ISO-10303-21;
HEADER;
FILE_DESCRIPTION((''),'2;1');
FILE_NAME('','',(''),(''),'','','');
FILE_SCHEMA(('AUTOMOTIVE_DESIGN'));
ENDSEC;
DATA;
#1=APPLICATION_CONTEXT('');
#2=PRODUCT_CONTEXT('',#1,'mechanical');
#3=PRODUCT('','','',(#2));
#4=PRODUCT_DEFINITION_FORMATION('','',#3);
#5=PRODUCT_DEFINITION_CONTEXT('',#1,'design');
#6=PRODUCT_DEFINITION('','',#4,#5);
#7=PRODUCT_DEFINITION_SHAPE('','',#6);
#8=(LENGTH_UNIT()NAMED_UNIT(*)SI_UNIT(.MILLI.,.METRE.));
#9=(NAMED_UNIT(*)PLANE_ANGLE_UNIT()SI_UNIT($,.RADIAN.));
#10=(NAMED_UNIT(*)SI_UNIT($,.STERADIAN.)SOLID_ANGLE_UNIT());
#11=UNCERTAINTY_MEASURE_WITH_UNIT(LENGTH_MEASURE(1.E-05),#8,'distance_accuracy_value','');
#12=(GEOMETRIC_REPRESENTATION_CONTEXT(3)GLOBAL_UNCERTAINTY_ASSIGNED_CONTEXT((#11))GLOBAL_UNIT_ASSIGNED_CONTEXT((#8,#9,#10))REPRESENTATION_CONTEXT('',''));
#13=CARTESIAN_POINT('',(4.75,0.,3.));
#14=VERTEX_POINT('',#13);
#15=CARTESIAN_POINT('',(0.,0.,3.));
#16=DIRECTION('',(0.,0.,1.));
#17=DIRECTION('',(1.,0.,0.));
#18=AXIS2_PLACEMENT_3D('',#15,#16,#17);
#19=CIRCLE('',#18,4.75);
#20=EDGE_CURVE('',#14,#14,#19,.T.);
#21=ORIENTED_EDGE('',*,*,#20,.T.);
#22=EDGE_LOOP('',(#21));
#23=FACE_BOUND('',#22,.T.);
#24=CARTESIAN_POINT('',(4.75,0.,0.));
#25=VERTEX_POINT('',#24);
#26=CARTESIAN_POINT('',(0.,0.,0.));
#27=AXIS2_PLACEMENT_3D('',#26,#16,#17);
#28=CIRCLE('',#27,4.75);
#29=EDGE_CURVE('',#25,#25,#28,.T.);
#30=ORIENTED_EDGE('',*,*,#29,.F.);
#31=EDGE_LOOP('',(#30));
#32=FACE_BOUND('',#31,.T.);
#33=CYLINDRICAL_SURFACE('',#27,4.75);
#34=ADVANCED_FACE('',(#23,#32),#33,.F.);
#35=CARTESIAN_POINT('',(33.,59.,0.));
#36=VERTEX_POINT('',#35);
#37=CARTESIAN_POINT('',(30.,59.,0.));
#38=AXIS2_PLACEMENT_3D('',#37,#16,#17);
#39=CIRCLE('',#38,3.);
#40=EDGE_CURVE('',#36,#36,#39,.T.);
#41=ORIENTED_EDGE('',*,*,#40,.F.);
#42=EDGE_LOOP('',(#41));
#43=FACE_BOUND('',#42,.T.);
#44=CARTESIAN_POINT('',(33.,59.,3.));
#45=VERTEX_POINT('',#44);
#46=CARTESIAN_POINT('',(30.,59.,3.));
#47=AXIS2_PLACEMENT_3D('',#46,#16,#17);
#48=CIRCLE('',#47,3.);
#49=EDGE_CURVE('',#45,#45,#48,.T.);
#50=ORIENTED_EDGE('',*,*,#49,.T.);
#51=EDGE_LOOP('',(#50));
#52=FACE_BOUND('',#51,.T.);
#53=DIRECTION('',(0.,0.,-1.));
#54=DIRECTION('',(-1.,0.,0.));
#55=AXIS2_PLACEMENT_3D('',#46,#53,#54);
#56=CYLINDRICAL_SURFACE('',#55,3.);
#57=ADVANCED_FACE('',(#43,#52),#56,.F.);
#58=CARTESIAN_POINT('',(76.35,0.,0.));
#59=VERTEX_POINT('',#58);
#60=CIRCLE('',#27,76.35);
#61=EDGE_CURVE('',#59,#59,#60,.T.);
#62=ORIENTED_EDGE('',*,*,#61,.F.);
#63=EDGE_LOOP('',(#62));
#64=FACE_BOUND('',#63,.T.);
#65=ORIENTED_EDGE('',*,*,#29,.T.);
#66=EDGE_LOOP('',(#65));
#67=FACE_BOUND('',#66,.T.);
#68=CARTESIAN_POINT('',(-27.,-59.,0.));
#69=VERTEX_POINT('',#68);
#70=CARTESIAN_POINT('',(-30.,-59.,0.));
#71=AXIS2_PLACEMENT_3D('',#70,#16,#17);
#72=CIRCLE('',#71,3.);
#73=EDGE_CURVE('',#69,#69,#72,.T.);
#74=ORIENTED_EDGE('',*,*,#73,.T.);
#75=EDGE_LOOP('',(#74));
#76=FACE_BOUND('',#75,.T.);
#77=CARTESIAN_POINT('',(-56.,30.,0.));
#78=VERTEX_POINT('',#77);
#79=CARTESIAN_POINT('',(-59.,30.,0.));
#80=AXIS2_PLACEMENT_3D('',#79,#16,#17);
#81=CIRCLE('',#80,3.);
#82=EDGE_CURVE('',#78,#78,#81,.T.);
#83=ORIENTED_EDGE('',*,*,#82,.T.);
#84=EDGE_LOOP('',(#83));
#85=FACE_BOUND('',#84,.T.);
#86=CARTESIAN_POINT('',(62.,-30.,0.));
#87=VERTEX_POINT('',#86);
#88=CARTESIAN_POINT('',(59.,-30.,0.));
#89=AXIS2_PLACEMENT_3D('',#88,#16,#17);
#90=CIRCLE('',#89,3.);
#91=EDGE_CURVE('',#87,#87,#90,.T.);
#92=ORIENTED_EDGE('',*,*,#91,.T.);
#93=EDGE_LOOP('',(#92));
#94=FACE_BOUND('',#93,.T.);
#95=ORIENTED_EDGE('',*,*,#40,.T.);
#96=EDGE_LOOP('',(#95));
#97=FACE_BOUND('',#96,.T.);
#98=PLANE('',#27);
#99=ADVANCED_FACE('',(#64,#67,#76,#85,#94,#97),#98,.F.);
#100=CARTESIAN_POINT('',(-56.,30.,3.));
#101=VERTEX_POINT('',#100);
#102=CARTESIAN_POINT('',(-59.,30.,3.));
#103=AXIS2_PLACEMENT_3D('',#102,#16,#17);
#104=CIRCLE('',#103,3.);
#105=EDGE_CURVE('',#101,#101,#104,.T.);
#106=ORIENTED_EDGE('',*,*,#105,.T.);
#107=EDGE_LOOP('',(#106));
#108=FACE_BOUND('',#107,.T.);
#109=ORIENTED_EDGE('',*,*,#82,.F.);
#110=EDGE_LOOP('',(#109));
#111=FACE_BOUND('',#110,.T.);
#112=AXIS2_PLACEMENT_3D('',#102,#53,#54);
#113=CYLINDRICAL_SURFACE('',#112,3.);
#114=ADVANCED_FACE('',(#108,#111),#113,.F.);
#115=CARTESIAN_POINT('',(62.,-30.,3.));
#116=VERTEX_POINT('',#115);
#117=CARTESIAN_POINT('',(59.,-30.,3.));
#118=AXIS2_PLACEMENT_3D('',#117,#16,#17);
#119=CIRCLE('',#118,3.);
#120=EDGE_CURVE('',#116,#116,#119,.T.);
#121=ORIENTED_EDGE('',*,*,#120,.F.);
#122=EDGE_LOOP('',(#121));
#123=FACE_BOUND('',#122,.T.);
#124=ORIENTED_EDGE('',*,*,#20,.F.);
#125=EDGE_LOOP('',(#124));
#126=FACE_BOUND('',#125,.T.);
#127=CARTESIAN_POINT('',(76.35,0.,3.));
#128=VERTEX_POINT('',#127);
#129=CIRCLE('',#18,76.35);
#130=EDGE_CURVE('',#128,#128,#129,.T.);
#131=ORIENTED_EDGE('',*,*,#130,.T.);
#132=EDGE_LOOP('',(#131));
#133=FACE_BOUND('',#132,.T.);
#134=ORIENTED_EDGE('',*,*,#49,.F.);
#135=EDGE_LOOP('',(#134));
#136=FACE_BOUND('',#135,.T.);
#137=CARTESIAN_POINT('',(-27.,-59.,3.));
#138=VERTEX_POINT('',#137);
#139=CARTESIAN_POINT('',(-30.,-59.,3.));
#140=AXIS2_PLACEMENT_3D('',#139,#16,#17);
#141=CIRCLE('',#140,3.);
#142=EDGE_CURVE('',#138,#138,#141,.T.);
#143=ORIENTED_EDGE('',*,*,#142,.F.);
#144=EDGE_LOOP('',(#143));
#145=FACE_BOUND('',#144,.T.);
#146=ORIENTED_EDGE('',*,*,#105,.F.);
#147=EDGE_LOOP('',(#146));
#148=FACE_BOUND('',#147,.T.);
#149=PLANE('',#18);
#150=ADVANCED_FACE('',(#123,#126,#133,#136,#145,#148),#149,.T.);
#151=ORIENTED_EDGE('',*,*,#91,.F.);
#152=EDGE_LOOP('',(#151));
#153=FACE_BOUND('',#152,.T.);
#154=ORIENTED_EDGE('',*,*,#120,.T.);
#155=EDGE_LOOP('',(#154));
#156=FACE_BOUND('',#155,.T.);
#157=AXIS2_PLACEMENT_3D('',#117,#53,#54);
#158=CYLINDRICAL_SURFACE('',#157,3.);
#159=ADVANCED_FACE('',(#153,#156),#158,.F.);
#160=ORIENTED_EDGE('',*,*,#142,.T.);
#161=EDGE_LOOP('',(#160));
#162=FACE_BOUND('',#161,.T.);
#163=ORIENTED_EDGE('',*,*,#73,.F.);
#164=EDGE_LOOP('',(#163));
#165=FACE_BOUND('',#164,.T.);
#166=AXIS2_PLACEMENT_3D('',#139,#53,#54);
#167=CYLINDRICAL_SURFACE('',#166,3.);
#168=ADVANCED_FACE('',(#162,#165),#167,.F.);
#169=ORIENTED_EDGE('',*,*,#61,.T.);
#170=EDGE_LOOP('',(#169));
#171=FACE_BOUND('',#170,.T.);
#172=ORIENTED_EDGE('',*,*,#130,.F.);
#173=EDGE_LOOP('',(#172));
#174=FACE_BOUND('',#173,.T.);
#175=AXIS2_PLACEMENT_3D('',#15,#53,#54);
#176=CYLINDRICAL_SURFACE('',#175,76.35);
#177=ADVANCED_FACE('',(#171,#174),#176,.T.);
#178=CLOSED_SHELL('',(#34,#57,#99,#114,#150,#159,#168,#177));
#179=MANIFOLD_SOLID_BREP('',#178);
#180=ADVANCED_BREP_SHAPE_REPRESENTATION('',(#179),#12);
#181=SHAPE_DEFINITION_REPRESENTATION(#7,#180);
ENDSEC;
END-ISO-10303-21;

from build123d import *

# Parameters (mm, degrees)
SKETCH1_R           = 3
BOSS_EXTRUDE3_DEPTH = 3
SKETCH2_R           = 4.75
CUT_EXTRUDE1_DEPTH  = 109.016873682


with BuildPart() as part:
    # Sketch1 → Boss-Extrude3 (new body)
    # profile 1 of 5: a face of its own
    with BuildSketch(Plane.XY):
        with BuildLine():
            ThreePointArc((76.35, 0), (53.987602744, 53.987602744), (0, 76.35))
            ThreePointArc((0, 76.35), (-62.014972319, 44.536116897), (-72.348554199, -24.392810524))
            ThreePointArc((-72.348554199, -24.392810524), (-44.536116897, -62.014972319), (0, -76.35))
            ThreePointArc((0, -76.35), (53.987602744, -53.987602744), (76.35, 0))
        make_face()
        Polygon((-27.25, -54.236860279), (-24.5, -59), (-27.25, -63.763139721), (-32.75, -63.763139721), (-35.5, -59), (-32.75, -54.236860279), align=None, mode=Mode.SUBTRACT)
        Polygon((54.236860279, -27.25), (59, -24.5), (63.763139721, -27.25), (63.763139721, -32.75), (59, -35.5), (54.236860279, -32.75), align=None, mode=Mode.SUBTRACT)
        Polygon((-54.236860279, 27.25), (-59, 24.5), (-63.763139721, 27.25), (-63.763139721, 32.75), (-59, 35.5), (-54.236860279, 32.75), align=None, mode=Mode.SUBTRACT)
        Polygon((27.25, 54.236860279), (24.5, 59), (27.25, 63.763139721), (32.75, 63.763139721), (35.5, 59), (32.75, 54.236860279), align=None, mode=Mode.SUBTRACT)
    # profile 2 of 5: a face of its own
    with BuildSketch(Plane.XY):
        Polygon((-63.763139721, 32.75), (-63.763139721, 27.25), (-59, 24.5), (-54.236860279, 27.25), (-54.236860279, 32.75), (-59, 35.5), align=None)
        with Locations((-59, 30)):
            Circle(SKETCH1_R, mode=Mode.SUBTRACT)
    # profile 3 of 5: a face of its own
    with BuildSketch(Plane.XY):
        Polygon((32.75, 63.763139721), (27.25, 63.763139721), (24.5, 59), (27.25, 54.236860279), (32.75, 54.236860279), (35.5, 59), align=None)
        with Locations((30, 59)):
            Circle(SKETCH1_R, mode=Mode.SUBTRACT)
    # profile 4 of 5: a face of its own
    with BuildSketch(Plane.XY):
        Polygon((63.763139721, -32.75), (63.763139721, -27.25), (59, -24.5), (54.236860279, -27.25), (54.236860279, -32.75), (59, -35.5), align=None)
        with Locations((59, -30)):
            Circle(SKETCH1_R, mode=Mode.SUBTRACT)
    # profile 5 of 5: a face of its own
    with BuildSketch(Plane.XY):
        Polygon((-32.75, -63.763139721), (-27.25, -63.763139721), (-24.5, -59), (-27.25, -54.236860279), (-32.75, -54.236860279), (-35.5, -59), align=None)
        with Locations((-30, -59)):
            Circle(SKETCH1_R, mode=Mode.SUBTRACT)
    extrude(amount=BOSS_EXTRUDE3_DEPTH)

    # Sketch2 → Cut-Extrude1 (cut, through all)
    with BuildSketch(Plane.XY.offset(3)):
        Circle(SKETCH2_R)
    extrude(amount=-CUT_EXTRUDE1_DEPTH, mode=Mode.SUBTRACT)


solid = part.part
